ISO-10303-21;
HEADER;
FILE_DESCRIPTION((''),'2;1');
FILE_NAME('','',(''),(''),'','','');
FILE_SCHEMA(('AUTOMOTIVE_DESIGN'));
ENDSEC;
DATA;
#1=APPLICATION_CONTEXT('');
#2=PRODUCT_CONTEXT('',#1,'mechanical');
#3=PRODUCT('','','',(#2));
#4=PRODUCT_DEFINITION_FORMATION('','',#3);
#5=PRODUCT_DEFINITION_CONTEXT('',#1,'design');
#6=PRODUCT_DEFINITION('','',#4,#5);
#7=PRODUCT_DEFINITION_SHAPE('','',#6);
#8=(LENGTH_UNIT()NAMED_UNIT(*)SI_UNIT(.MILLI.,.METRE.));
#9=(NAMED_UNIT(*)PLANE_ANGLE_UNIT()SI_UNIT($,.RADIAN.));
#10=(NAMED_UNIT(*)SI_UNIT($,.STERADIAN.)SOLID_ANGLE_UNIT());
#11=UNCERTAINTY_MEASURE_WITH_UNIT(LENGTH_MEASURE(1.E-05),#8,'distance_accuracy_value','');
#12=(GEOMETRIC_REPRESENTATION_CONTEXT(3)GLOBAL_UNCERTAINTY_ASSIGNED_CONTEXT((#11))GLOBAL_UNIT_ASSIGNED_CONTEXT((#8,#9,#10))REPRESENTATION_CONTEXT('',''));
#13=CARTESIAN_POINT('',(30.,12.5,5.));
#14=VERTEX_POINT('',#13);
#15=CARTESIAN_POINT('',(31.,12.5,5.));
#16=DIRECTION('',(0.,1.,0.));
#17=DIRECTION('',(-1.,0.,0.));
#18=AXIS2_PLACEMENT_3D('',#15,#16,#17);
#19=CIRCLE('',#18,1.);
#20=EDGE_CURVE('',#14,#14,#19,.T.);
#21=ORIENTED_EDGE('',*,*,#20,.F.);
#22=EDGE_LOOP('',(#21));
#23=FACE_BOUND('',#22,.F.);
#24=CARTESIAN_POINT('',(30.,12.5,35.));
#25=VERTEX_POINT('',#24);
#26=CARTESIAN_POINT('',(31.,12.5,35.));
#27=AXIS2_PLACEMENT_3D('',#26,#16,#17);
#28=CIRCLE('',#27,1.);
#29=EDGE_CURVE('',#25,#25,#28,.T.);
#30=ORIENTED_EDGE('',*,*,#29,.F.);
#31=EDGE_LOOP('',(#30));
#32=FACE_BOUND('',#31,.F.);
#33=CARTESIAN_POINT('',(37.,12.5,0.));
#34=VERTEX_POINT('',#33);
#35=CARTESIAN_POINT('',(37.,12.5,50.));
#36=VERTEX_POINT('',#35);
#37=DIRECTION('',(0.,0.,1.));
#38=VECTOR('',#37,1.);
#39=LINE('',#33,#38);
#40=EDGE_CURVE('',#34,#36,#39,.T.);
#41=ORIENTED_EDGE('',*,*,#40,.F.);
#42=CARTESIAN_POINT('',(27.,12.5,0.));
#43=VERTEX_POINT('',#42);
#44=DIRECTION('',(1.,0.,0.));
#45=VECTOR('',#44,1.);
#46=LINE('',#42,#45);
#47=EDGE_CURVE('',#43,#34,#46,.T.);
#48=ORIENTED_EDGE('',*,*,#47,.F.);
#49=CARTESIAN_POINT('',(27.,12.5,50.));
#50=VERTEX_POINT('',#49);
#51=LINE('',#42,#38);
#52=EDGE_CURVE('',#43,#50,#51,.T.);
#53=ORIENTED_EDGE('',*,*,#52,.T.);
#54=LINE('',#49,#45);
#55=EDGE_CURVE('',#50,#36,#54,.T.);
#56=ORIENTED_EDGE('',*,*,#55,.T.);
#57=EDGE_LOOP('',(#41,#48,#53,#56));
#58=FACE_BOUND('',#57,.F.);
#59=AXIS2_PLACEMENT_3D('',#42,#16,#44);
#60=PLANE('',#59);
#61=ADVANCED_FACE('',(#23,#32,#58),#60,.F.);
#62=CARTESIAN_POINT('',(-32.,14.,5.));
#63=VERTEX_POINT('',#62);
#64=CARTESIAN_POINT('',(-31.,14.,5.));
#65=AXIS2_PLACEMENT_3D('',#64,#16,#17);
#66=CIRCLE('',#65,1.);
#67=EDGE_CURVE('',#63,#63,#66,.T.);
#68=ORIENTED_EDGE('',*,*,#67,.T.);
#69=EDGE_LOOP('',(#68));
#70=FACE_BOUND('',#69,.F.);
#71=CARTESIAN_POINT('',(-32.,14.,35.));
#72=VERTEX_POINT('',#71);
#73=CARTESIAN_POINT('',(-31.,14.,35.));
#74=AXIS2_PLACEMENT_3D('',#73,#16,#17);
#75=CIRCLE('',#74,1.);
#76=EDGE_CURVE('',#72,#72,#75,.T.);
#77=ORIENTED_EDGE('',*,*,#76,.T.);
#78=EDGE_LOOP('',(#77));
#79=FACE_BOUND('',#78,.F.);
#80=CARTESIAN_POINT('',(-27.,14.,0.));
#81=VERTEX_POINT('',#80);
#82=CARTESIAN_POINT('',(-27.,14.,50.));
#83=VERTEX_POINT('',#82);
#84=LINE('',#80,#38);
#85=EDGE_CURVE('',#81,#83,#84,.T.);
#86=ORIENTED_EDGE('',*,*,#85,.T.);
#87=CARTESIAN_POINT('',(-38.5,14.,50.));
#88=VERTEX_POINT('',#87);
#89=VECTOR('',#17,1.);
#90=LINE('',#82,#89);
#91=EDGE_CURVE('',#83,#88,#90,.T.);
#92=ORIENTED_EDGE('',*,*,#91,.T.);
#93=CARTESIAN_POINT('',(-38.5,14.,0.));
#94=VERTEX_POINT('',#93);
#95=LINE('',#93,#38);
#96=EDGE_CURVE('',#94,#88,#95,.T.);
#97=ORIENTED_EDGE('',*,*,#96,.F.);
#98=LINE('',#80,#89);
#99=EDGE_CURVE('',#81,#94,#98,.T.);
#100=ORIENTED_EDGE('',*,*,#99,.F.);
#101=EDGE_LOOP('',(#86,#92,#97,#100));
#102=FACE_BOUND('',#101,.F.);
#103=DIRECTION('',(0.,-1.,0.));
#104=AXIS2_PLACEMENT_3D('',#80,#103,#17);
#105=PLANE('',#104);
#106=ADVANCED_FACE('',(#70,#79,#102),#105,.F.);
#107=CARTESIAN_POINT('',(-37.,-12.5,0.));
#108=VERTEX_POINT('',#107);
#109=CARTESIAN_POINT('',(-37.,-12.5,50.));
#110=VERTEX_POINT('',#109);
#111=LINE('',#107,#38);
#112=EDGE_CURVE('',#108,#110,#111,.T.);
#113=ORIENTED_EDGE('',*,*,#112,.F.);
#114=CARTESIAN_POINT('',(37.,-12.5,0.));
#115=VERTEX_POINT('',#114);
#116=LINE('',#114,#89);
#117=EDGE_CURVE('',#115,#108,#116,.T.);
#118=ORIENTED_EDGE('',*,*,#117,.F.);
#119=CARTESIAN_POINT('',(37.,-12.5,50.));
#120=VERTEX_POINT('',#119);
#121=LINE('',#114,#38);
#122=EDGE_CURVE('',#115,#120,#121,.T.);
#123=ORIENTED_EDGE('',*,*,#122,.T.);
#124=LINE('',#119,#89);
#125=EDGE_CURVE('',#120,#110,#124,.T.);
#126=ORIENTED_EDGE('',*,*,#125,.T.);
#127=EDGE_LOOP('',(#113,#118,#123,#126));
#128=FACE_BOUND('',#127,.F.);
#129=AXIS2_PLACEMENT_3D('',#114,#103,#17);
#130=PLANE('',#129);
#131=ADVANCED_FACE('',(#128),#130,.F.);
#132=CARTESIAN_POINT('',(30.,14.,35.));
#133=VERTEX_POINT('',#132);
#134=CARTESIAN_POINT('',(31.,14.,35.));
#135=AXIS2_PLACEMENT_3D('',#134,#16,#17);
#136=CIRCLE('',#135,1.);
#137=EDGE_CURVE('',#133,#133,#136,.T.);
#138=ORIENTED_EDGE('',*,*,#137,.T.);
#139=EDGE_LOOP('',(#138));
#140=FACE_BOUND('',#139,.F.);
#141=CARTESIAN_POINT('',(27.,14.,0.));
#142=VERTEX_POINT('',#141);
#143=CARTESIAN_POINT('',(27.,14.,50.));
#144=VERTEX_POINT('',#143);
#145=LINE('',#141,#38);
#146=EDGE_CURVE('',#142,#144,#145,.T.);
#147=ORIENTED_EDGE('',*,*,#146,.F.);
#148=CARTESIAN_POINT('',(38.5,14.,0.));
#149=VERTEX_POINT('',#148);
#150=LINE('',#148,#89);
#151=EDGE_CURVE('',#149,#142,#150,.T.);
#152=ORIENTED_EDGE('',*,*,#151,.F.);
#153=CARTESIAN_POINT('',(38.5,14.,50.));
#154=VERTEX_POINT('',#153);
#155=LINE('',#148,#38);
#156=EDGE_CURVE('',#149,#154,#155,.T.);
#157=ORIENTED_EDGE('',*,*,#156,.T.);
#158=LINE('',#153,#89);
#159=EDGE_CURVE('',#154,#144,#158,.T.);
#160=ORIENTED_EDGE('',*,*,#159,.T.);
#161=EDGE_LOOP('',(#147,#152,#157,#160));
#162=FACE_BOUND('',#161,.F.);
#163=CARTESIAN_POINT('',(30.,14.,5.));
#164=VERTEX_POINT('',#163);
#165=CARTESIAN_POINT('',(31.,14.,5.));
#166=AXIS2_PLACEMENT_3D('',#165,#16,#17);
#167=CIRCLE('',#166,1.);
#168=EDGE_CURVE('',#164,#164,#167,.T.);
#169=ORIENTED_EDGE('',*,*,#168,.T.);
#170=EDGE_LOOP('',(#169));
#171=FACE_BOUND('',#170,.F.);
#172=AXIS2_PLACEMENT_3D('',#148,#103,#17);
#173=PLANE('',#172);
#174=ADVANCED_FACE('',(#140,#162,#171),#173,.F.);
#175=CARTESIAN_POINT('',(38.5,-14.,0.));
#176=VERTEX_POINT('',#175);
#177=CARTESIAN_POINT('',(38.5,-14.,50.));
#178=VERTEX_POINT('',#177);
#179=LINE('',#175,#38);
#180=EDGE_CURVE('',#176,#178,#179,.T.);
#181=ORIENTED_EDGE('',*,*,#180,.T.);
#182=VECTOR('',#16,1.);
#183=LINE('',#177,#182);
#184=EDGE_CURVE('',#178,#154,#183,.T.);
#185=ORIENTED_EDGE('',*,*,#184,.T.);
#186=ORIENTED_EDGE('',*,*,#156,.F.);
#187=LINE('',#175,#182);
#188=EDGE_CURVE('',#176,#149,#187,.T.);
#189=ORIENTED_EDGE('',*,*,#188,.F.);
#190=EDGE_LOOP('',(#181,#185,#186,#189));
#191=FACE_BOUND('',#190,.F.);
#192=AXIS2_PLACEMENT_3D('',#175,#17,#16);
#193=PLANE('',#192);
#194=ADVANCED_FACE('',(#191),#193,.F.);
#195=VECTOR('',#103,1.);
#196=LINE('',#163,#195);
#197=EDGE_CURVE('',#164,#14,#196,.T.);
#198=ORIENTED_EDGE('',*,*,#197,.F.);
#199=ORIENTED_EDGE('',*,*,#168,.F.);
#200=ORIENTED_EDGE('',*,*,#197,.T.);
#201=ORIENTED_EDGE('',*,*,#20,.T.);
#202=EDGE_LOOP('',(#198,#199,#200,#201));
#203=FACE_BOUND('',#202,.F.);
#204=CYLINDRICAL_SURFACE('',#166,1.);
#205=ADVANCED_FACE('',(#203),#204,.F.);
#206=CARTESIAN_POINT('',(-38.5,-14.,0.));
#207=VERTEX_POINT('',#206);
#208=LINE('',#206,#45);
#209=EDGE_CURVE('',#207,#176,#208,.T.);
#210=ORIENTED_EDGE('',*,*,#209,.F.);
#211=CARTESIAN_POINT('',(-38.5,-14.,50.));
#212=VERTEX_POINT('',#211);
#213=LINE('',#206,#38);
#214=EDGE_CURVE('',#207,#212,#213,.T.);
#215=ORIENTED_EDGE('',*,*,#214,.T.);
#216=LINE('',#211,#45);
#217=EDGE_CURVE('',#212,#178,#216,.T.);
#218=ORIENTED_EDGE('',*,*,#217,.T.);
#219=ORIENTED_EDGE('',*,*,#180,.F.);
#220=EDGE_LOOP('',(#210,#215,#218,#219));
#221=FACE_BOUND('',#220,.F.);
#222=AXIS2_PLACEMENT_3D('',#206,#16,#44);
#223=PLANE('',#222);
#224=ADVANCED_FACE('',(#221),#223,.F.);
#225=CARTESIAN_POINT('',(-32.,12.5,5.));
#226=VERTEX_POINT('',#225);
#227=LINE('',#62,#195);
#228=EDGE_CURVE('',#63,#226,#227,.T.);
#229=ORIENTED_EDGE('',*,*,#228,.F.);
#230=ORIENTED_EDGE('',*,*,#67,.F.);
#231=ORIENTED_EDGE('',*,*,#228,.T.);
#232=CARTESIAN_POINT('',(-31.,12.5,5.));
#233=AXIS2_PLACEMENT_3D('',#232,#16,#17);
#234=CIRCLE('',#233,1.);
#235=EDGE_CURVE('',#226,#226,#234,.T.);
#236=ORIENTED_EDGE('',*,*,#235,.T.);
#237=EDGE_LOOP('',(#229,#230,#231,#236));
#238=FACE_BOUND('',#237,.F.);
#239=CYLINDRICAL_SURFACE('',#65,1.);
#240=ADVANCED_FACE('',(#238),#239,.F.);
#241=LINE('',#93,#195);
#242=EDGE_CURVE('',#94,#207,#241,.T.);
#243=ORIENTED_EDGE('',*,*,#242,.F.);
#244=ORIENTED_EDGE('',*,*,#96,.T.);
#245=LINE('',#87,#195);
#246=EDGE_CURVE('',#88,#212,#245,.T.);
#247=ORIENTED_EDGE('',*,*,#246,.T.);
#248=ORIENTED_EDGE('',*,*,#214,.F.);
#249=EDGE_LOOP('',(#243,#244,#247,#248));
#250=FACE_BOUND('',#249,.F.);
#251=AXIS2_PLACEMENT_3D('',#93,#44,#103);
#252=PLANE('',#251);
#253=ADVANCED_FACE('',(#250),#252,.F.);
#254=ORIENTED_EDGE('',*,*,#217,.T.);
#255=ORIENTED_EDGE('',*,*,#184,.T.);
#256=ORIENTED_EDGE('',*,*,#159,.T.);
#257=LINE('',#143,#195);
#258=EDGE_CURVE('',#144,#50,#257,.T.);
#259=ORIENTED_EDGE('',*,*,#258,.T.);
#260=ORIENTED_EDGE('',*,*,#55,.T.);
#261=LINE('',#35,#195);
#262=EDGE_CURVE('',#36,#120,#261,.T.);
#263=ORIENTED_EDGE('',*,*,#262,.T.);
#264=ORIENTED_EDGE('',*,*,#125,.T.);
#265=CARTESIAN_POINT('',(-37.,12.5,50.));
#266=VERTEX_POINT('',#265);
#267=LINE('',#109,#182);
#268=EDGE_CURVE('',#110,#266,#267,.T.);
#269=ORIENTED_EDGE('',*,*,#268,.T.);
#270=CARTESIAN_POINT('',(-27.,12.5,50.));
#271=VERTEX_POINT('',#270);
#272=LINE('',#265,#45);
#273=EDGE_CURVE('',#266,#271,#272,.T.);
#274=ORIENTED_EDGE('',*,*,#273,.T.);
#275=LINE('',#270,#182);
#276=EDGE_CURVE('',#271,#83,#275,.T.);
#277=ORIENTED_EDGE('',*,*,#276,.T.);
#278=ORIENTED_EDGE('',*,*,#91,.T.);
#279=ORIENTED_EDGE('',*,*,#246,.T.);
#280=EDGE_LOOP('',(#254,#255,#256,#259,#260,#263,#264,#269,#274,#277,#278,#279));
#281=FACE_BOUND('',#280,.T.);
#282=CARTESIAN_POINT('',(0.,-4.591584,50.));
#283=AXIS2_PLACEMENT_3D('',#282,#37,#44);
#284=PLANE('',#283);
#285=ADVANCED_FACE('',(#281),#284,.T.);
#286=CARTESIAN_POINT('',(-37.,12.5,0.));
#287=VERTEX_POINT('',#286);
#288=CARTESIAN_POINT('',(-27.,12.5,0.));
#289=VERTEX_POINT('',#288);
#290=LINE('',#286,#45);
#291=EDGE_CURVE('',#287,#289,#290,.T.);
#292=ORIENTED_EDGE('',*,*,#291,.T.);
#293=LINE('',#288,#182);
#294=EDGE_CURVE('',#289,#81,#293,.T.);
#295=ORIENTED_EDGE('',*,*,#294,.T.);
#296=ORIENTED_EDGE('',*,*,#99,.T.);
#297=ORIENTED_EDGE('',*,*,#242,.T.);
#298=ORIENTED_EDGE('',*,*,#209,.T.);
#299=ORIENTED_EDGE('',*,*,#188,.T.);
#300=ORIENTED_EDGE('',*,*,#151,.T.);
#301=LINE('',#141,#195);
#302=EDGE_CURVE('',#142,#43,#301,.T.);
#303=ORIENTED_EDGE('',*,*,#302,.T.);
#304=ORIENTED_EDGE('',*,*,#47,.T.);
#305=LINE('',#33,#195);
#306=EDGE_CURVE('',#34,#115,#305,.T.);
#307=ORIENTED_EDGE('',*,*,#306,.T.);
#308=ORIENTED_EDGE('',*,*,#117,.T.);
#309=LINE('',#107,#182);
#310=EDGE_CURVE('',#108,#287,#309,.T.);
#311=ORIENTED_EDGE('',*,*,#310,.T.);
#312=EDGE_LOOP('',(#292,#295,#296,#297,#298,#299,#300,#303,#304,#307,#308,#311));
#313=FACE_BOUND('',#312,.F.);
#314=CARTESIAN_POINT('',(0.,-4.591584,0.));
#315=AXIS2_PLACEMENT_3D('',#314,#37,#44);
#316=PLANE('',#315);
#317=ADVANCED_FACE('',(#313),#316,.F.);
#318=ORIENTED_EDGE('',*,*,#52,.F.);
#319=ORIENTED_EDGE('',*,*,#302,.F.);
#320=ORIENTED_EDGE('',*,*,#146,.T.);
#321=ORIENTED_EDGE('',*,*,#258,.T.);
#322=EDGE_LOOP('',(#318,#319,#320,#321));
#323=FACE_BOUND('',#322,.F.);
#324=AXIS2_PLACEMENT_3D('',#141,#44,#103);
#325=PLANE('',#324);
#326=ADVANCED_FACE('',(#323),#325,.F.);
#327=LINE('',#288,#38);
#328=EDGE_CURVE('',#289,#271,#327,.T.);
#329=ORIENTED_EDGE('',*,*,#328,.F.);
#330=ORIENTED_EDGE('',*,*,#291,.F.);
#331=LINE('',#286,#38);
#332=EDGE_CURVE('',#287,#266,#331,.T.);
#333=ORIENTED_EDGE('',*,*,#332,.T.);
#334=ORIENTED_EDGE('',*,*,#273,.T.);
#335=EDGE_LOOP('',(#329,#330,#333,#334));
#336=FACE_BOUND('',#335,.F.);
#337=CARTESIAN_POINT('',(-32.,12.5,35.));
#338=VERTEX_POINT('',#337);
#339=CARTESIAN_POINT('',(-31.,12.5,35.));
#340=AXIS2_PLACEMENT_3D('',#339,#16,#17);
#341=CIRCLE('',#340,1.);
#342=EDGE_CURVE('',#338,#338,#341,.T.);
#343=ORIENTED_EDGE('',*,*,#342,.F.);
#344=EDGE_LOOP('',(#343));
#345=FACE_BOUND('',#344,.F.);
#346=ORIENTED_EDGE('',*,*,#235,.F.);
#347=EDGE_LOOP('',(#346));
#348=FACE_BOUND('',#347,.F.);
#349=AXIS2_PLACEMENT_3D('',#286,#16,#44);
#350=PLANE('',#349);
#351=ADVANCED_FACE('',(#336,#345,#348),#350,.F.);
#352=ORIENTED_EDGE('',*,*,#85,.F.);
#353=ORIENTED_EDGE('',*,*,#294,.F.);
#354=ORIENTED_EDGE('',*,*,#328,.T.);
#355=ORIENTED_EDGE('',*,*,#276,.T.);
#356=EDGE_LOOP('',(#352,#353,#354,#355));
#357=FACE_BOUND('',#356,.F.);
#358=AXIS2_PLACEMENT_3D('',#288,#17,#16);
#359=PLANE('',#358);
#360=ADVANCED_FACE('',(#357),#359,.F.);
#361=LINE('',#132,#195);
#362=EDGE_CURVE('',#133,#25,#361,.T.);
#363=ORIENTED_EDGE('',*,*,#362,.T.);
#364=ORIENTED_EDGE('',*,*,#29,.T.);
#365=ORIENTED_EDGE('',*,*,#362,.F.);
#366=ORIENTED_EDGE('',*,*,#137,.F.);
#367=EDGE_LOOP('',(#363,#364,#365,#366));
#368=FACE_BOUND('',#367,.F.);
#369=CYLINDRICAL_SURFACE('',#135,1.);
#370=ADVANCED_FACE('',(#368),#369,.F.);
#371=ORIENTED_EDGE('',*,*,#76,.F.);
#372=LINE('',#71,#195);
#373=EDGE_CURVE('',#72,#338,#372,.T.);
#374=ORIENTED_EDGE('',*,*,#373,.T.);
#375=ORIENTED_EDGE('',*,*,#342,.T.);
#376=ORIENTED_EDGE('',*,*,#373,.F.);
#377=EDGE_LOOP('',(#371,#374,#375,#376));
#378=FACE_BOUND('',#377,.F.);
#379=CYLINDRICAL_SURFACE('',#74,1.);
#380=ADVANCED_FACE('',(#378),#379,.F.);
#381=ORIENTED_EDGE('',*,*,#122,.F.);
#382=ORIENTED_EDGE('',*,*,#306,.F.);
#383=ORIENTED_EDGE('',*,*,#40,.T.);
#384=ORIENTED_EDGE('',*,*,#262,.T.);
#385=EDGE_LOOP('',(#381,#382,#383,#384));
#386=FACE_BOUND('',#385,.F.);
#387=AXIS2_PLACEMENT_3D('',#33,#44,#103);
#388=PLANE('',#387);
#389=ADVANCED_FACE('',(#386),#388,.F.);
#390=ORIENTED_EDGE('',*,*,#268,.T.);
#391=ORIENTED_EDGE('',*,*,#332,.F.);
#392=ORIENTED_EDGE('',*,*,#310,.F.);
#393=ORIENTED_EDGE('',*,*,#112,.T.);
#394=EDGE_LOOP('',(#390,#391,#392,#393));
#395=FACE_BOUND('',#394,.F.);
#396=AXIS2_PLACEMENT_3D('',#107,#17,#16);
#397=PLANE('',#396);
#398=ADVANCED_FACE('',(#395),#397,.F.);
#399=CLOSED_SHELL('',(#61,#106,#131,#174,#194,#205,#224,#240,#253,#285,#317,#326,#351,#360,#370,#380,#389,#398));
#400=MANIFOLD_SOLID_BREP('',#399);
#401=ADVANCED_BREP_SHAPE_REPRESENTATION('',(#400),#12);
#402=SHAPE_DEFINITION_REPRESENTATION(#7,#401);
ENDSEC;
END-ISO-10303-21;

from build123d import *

# Parameters (mm, degrees)
F1_DEPTH = 50
F2_R     = 1
F3_DEPTH = 1.5


with BuildPart() as f1:
    # F0 (on Top) → F1 (new body)
    with BuildSketch(Plane.XY):
        Polygon((-27, 14), (-38.5, 14), (-38.5, -14), (38.5, -14), (38.5, 14), (27, 14), (27, 12.5), (37, 12.5), (37, -12.5), (0, -12.5), (-37, -12.5), (-37, 12.5), (-27, 12.5), align=None)
    extrude(amount=F1_DEPTH)

    # F2 (on face) → F3 (cut, through all)
    with BuildSketch(Plane(origin=(0, 14, 0), x_dir=(-1, 0, 0), z_dir=(0, 1, 0))):
        with Locations((-31, 5)):
            Circle(F2_R)
        with Locations((-31, 35)):
            Circle(F2_R)
        with Locations((31, 35)):
            Circle(F2_R)
        with Locations((31, 5)):
            Circle(F2_R)
    extrude(amount=-F3_DEPTH, mode=Mode.SUBTRACT)


solid = f1.part
